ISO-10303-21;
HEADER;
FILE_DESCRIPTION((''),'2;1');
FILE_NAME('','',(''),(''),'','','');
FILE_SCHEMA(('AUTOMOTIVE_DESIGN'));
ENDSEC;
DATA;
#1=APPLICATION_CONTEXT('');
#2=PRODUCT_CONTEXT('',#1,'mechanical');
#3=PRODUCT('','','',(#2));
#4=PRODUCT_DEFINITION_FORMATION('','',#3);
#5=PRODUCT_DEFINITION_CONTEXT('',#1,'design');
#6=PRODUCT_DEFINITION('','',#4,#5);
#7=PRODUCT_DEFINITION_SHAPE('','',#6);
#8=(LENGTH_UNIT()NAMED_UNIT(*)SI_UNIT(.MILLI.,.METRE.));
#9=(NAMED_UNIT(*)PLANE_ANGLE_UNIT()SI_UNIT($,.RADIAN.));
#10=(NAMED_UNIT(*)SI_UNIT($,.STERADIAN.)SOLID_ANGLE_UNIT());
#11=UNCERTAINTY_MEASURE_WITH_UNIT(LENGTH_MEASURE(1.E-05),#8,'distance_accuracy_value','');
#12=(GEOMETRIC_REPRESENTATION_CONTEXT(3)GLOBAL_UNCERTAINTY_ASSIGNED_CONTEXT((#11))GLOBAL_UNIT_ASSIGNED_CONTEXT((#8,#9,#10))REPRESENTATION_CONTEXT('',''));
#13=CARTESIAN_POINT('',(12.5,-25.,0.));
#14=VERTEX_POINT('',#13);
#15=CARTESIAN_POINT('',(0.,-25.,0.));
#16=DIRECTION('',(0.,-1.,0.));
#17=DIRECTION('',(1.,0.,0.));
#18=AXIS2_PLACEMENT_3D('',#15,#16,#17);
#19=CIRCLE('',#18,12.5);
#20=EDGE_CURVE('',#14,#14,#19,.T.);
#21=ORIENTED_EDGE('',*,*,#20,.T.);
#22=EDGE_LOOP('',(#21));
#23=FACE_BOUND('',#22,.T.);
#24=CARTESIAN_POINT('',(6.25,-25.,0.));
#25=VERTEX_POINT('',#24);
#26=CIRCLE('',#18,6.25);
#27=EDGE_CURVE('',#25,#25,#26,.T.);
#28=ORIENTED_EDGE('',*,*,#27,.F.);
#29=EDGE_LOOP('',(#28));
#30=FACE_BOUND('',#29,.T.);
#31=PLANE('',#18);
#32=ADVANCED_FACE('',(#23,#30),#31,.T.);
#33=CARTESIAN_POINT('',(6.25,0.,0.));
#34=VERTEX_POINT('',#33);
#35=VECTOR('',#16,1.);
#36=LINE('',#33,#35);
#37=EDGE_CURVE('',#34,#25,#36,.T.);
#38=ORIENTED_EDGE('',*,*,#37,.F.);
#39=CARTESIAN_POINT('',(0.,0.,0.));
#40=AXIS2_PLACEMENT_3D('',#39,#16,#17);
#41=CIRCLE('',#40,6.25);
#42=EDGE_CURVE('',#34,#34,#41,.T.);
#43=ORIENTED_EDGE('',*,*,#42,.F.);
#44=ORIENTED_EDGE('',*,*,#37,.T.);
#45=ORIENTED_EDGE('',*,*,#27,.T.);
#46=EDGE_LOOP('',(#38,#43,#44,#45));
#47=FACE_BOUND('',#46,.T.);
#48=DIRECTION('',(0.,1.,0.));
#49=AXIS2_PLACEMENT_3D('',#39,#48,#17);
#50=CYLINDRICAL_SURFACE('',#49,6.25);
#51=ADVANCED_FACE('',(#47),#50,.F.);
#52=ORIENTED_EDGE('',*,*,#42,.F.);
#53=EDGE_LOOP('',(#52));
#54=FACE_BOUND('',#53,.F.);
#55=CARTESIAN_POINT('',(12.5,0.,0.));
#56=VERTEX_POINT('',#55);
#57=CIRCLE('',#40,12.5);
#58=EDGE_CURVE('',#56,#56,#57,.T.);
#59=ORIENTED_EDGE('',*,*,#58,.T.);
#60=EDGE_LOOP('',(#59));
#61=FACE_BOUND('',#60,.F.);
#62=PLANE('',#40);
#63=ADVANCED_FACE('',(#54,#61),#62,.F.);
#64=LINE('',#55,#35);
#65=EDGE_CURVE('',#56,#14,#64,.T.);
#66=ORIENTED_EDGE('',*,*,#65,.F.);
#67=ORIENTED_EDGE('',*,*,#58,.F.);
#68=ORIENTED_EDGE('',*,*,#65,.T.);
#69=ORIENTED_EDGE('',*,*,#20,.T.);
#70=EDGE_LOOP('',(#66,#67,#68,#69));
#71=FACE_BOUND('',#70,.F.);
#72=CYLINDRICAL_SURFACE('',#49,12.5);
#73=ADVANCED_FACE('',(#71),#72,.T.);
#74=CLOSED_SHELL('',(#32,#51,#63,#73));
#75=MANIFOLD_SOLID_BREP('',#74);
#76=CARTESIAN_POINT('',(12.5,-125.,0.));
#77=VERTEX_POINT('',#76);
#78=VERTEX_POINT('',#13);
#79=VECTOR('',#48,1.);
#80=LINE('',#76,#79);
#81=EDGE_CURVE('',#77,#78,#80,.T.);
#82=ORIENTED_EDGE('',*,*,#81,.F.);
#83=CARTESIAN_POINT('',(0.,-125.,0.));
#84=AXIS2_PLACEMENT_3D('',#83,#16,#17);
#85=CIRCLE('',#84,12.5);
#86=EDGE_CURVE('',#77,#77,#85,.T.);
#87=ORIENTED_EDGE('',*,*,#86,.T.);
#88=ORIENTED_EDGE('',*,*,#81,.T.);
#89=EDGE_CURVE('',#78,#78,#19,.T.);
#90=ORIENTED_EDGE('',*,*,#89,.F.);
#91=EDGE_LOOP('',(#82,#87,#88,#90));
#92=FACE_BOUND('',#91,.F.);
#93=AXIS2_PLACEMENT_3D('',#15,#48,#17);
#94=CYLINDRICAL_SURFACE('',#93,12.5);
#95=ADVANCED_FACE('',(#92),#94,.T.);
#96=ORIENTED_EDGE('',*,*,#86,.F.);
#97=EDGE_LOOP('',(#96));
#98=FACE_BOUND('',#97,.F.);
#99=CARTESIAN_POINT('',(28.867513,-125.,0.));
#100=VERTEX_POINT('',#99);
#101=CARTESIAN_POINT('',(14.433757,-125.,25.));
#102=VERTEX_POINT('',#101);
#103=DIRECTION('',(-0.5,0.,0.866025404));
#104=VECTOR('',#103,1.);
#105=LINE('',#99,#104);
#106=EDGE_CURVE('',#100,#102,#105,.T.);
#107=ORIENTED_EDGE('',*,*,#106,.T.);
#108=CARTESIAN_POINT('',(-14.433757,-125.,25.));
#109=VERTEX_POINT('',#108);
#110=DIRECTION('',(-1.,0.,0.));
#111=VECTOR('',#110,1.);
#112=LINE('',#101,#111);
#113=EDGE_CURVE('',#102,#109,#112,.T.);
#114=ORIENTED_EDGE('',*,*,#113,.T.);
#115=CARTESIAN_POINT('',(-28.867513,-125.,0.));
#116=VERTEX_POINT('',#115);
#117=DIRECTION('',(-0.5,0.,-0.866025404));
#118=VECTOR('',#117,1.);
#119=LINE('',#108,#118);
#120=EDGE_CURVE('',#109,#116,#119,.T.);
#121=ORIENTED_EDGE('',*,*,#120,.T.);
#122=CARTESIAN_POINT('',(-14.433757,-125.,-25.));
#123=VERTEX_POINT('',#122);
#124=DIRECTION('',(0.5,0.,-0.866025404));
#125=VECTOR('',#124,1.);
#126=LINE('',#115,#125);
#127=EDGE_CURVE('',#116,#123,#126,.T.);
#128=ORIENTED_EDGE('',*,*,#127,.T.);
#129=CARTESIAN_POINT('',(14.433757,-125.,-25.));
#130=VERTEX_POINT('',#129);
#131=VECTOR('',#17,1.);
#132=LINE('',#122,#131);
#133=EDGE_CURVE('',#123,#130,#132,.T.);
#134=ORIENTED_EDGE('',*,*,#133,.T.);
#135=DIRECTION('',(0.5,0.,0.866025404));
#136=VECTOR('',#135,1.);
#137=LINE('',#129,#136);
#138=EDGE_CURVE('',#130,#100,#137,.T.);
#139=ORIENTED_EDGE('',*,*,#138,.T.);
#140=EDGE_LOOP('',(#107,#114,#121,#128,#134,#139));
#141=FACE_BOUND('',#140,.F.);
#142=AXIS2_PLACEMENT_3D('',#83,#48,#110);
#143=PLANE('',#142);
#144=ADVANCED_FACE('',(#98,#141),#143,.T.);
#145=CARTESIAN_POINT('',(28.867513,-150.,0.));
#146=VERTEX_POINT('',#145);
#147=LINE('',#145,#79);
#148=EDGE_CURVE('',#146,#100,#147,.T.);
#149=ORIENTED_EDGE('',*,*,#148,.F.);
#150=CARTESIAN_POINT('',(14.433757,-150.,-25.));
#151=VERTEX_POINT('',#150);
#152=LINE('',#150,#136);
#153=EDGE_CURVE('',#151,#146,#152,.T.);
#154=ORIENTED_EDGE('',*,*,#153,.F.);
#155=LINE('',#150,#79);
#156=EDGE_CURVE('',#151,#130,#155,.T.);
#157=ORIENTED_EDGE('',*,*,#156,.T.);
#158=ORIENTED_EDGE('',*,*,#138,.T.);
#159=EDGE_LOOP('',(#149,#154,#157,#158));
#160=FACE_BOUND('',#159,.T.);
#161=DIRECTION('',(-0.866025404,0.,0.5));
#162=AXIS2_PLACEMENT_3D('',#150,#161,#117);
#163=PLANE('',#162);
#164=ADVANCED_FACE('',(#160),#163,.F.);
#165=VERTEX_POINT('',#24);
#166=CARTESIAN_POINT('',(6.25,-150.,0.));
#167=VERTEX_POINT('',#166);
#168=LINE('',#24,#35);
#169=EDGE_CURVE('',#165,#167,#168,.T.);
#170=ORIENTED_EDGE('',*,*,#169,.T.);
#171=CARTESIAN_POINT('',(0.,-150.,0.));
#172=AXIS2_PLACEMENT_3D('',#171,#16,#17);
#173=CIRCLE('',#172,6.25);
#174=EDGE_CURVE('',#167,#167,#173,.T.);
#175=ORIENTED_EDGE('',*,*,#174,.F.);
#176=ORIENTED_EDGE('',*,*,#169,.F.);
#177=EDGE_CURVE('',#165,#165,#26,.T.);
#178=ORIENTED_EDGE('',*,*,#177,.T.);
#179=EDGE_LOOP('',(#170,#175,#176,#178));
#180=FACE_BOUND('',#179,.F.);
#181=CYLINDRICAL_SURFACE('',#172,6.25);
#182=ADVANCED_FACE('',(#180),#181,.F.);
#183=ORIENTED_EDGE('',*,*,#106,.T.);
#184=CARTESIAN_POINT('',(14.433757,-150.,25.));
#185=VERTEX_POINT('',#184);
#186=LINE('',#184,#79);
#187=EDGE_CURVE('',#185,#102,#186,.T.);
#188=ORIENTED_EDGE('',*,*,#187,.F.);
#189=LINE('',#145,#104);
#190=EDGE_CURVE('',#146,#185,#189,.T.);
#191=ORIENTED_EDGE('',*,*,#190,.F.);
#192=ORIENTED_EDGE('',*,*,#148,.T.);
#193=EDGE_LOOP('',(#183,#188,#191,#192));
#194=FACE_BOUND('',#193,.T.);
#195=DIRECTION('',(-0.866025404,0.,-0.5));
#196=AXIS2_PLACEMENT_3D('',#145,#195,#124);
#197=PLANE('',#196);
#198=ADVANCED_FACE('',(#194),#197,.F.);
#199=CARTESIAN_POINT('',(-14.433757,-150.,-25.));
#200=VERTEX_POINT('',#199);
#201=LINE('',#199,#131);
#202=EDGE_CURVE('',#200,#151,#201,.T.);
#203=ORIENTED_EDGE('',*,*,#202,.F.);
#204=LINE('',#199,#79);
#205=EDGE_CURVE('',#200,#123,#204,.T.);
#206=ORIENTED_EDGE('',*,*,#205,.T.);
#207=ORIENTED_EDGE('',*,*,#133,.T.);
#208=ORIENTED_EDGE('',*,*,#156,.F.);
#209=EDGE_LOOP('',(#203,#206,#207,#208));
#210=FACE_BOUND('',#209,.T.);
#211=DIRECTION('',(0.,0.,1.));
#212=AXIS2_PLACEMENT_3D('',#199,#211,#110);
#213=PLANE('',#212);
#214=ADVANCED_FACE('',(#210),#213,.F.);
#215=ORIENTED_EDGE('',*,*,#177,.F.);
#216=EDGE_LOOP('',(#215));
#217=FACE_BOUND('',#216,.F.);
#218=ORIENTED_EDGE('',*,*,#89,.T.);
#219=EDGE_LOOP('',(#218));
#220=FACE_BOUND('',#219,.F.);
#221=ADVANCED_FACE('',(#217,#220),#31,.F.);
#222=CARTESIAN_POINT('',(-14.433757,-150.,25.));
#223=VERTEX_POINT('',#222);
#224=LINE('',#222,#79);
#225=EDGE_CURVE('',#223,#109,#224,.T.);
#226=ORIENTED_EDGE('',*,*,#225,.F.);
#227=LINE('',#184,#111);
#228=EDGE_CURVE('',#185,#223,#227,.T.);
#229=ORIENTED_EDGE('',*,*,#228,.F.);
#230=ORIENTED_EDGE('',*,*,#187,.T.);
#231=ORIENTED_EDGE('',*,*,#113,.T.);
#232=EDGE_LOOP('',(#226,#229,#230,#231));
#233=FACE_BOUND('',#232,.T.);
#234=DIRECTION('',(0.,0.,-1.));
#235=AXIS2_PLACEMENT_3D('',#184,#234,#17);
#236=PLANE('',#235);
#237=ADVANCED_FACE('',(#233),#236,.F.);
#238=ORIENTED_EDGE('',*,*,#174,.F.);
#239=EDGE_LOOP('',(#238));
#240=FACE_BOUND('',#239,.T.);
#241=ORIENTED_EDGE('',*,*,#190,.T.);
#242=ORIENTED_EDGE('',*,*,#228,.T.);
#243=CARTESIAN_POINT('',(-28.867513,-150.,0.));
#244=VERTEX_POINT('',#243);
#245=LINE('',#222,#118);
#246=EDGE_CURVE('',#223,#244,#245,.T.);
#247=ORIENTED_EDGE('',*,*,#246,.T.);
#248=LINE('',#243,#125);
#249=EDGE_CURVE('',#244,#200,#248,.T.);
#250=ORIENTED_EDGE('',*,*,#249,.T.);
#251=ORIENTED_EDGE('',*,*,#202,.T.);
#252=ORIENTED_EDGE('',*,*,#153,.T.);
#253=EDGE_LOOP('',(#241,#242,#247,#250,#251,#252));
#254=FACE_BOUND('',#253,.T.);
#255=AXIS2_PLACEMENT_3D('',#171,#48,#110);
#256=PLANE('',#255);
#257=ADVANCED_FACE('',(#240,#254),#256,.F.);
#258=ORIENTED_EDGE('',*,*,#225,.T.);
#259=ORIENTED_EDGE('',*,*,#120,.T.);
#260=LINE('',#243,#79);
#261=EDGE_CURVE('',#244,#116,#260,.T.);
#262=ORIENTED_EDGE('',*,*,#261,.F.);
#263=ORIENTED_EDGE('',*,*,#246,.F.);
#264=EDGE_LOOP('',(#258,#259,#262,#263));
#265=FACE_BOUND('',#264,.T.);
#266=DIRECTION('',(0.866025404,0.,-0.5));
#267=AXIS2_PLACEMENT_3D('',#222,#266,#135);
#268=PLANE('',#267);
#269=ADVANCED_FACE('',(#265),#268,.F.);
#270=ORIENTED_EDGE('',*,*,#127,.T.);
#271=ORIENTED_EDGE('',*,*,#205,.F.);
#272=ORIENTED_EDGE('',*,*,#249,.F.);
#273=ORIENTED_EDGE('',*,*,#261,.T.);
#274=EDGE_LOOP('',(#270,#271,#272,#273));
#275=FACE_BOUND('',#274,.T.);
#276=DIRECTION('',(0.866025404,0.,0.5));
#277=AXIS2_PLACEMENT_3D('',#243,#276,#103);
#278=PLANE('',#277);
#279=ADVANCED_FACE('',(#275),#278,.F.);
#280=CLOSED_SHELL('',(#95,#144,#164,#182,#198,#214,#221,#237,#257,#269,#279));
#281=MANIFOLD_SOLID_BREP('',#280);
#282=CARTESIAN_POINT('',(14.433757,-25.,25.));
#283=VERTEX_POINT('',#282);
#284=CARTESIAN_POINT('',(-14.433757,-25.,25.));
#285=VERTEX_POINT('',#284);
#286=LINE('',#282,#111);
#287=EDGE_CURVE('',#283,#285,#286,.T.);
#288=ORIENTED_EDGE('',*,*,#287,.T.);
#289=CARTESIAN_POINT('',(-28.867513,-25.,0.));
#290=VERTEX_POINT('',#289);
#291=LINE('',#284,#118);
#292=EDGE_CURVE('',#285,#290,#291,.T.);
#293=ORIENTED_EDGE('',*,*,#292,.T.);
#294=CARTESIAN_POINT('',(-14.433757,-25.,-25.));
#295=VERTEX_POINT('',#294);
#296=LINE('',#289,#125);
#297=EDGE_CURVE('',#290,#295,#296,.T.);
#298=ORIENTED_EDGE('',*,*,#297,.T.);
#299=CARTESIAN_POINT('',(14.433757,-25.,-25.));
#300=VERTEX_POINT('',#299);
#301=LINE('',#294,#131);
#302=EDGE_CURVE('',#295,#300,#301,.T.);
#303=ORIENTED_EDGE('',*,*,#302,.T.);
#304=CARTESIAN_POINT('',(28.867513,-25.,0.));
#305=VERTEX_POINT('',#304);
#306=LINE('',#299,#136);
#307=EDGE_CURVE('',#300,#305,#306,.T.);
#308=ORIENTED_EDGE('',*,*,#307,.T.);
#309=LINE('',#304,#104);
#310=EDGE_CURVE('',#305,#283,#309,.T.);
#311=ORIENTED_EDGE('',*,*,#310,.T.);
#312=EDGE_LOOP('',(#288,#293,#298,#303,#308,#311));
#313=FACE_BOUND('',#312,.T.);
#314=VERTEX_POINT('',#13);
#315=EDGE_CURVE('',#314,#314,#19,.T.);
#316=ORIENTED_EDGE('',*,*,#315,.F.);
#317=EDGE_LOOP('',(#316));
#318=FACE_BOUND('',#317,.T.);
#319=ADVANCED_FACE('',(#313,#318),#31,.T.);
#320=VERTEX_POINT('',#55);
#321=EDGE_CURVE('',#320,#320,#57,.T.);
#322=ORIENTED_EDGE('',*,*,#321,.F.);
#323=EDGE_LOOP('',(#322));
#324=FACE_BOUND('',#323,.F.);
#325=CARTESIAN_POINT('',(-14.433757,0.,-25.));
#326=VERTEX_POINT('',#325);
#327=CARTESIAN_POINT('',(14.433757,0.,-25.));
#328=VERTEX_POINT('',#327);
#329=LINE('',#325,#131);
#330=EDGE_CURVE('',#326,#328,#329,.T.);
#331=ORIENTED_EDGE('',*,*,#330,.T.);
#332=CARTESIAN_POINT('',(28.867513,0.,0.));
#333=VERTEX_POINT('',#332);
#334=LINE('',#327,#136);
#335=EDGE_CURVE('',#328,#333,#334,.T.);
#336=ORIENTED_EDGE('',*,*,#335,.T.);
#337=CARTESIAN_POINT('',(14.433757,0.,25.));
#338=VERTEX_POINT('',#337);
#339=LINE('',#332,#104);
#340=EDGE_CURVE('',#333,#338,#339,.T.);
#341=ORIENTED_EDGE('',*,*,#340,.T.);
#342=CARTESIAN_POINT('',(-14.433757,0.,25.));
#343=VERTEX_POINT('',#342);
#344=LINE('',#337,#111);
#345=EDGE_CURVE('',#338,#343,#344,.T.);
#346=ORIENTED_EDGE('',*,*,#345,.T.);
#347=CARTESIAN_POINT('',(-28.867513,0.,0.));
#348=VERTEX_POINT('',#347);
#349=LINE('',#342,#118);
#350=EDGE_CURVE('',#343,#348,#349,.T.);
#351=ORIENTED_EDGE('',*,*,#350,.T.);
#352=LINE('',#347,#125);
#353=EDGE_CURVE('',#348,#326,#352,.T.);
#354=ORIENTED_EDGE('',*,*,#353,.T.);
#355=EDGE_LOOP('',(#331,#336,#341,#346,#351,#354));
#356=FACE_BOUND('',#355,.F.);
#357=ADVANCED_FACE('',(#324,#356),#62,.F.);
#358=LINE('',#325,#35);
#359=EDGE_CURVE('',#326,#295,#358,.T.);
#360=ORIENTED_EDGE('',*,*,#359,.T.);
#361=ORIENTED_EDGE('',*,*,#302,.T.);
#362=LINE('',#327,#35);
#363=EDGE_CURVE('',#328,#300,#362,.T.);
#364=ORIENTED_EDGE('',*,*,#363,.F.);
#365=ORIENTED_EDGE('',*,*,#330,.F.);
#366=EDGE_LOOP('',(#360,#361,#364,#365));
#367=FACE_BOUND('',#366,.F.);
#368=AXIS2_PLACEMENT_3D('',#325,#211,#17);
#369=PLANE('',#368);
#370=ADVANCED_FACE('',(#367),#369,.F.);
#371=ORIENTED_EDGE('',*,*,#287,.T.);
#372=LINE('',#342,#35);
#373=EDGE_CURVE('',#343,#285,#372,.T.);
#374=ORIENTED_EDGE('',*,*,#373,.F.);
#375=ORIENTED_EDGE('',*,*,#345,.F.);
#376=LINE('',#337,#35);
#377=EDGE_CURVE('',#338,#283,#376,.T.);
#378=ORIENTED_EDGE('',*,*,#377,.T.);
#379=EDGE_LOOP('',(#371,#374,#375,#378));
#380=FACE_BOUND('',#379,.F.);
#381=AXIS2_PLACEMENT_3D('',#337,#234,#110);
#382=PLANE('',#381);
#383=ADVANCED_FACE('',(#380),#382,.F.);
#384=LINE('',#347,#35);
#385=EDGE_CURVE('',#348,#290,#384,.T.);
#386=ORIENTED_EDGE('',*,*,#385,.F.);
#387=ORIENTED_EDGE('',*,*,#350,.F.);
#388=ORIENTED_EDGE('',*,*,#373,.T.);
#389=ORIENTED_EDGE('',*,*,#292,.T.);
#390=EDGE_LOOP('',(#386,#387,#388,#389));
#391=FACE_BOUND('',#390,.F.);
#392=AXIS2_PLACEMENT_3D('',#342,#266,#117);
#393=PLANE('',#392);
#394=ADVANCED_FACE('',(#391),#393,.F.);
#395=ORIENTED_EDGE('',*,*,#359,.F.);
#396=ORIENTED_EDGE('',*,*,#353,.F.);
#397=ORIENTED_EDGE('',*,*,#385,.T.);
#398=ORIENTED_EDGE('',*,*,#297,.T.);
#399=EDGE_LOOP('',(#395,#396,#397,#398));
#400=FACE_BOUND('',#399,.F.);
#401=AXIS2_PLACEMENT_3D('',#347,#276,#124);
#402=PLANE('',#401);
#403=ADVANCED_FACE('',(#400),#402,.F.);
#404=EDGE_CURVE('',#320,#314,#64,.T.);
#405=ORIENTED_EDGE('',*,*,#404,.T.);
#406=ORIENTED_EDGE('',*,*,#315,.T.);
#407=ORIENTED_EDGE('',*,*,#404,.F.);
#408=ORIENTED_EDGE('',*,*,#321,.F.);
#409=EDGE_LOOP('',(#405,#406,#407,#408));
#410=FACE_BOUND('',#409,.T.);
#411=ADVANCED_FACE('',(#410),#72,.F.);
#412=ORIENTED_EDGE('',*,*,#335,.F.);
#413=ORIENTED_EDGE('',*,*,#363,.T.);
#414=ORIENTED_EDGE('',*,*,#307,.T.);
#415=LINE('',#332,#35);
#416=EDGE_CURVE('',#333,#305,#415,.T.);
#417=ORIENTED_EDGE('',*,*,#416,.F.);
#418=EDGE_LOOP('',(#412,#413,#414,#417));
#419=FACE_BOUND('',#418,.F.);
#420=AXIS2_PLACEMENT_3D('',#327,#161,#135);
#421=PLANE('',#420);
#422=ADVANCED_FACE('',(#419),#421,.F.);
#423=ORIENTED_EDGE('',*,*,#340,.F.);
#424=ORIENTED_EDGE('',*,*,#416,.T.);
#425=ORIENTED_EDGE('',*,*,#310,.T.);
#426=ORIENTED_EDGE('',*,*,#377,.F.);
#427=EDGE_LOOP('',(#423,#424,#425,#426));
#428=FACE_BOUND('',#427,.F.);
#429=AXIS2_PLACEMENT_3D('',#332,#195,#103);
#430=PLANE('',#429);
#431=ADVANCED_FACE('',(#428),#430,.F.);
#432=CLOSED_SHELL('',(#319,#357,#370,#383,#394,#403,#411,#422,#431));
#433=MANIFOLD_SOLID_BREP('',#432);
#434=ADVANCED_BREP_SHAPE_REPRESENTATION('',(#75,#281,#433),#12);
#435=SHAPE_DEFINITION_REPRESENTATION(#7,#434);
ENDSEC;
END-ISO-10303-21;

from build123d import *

# Parameters (mm, degrees)
F0_R     = 12.5
F1_DEPTH = 25
F2_R     = 12.5
F2_R_2   = 6.25
F3_DEPTH = 50
F4_R     = 12.5
F4_R_2   = 6.25
F5_DEPTH = 25


with BuildPart() as f1:
    # F0 (on Front) → F1 (new body)
    with BuildSketch(Plane.XZ):
        Polygon((-14.4337567297, -25), (14.4337567297, -25), (28.8675134595, 0), (14.4337567297, 25), (-14.4337567297, 25), (-28.8675134595, 0), align=None)
        Circle(F0_R, mode=Mode.SUBTRACT)
    extrude(amount=F1_DEPTH)


with BuildPart() as f3:
    # F2 (on face) → F3 (new body)
    with BuildSketch(Plane.XZ.offset(25)):
        Circle(F2_R)
        Circle(F2_R_2, mode=Mode.SUBTRACT)
    extrude(amount=F3_DEPTH)

    # F6: F3, F1, F5 across face


with BuildPart() as f5:
    # F4 (on face) → F5 (new body)
    with BuildSketch(Plane.XZ):
        Circle(F4_R)
        Circle(F4_R_2, mode=Mode.SUBTRACT)
    extrude(amount=F5_DEPTH)


with BuildPart() as f3_1:
    add(f3.part)
    add(f3.part.mirror(Plane.XZ.offset(75)))
    add(f1.part.mirror(Plane.XZ.offset(75)))
    add(f5.part.mirror(Plane.XZ.offset(75)))


solid = Compound([f1.part, f5.part, f3_1.part])
